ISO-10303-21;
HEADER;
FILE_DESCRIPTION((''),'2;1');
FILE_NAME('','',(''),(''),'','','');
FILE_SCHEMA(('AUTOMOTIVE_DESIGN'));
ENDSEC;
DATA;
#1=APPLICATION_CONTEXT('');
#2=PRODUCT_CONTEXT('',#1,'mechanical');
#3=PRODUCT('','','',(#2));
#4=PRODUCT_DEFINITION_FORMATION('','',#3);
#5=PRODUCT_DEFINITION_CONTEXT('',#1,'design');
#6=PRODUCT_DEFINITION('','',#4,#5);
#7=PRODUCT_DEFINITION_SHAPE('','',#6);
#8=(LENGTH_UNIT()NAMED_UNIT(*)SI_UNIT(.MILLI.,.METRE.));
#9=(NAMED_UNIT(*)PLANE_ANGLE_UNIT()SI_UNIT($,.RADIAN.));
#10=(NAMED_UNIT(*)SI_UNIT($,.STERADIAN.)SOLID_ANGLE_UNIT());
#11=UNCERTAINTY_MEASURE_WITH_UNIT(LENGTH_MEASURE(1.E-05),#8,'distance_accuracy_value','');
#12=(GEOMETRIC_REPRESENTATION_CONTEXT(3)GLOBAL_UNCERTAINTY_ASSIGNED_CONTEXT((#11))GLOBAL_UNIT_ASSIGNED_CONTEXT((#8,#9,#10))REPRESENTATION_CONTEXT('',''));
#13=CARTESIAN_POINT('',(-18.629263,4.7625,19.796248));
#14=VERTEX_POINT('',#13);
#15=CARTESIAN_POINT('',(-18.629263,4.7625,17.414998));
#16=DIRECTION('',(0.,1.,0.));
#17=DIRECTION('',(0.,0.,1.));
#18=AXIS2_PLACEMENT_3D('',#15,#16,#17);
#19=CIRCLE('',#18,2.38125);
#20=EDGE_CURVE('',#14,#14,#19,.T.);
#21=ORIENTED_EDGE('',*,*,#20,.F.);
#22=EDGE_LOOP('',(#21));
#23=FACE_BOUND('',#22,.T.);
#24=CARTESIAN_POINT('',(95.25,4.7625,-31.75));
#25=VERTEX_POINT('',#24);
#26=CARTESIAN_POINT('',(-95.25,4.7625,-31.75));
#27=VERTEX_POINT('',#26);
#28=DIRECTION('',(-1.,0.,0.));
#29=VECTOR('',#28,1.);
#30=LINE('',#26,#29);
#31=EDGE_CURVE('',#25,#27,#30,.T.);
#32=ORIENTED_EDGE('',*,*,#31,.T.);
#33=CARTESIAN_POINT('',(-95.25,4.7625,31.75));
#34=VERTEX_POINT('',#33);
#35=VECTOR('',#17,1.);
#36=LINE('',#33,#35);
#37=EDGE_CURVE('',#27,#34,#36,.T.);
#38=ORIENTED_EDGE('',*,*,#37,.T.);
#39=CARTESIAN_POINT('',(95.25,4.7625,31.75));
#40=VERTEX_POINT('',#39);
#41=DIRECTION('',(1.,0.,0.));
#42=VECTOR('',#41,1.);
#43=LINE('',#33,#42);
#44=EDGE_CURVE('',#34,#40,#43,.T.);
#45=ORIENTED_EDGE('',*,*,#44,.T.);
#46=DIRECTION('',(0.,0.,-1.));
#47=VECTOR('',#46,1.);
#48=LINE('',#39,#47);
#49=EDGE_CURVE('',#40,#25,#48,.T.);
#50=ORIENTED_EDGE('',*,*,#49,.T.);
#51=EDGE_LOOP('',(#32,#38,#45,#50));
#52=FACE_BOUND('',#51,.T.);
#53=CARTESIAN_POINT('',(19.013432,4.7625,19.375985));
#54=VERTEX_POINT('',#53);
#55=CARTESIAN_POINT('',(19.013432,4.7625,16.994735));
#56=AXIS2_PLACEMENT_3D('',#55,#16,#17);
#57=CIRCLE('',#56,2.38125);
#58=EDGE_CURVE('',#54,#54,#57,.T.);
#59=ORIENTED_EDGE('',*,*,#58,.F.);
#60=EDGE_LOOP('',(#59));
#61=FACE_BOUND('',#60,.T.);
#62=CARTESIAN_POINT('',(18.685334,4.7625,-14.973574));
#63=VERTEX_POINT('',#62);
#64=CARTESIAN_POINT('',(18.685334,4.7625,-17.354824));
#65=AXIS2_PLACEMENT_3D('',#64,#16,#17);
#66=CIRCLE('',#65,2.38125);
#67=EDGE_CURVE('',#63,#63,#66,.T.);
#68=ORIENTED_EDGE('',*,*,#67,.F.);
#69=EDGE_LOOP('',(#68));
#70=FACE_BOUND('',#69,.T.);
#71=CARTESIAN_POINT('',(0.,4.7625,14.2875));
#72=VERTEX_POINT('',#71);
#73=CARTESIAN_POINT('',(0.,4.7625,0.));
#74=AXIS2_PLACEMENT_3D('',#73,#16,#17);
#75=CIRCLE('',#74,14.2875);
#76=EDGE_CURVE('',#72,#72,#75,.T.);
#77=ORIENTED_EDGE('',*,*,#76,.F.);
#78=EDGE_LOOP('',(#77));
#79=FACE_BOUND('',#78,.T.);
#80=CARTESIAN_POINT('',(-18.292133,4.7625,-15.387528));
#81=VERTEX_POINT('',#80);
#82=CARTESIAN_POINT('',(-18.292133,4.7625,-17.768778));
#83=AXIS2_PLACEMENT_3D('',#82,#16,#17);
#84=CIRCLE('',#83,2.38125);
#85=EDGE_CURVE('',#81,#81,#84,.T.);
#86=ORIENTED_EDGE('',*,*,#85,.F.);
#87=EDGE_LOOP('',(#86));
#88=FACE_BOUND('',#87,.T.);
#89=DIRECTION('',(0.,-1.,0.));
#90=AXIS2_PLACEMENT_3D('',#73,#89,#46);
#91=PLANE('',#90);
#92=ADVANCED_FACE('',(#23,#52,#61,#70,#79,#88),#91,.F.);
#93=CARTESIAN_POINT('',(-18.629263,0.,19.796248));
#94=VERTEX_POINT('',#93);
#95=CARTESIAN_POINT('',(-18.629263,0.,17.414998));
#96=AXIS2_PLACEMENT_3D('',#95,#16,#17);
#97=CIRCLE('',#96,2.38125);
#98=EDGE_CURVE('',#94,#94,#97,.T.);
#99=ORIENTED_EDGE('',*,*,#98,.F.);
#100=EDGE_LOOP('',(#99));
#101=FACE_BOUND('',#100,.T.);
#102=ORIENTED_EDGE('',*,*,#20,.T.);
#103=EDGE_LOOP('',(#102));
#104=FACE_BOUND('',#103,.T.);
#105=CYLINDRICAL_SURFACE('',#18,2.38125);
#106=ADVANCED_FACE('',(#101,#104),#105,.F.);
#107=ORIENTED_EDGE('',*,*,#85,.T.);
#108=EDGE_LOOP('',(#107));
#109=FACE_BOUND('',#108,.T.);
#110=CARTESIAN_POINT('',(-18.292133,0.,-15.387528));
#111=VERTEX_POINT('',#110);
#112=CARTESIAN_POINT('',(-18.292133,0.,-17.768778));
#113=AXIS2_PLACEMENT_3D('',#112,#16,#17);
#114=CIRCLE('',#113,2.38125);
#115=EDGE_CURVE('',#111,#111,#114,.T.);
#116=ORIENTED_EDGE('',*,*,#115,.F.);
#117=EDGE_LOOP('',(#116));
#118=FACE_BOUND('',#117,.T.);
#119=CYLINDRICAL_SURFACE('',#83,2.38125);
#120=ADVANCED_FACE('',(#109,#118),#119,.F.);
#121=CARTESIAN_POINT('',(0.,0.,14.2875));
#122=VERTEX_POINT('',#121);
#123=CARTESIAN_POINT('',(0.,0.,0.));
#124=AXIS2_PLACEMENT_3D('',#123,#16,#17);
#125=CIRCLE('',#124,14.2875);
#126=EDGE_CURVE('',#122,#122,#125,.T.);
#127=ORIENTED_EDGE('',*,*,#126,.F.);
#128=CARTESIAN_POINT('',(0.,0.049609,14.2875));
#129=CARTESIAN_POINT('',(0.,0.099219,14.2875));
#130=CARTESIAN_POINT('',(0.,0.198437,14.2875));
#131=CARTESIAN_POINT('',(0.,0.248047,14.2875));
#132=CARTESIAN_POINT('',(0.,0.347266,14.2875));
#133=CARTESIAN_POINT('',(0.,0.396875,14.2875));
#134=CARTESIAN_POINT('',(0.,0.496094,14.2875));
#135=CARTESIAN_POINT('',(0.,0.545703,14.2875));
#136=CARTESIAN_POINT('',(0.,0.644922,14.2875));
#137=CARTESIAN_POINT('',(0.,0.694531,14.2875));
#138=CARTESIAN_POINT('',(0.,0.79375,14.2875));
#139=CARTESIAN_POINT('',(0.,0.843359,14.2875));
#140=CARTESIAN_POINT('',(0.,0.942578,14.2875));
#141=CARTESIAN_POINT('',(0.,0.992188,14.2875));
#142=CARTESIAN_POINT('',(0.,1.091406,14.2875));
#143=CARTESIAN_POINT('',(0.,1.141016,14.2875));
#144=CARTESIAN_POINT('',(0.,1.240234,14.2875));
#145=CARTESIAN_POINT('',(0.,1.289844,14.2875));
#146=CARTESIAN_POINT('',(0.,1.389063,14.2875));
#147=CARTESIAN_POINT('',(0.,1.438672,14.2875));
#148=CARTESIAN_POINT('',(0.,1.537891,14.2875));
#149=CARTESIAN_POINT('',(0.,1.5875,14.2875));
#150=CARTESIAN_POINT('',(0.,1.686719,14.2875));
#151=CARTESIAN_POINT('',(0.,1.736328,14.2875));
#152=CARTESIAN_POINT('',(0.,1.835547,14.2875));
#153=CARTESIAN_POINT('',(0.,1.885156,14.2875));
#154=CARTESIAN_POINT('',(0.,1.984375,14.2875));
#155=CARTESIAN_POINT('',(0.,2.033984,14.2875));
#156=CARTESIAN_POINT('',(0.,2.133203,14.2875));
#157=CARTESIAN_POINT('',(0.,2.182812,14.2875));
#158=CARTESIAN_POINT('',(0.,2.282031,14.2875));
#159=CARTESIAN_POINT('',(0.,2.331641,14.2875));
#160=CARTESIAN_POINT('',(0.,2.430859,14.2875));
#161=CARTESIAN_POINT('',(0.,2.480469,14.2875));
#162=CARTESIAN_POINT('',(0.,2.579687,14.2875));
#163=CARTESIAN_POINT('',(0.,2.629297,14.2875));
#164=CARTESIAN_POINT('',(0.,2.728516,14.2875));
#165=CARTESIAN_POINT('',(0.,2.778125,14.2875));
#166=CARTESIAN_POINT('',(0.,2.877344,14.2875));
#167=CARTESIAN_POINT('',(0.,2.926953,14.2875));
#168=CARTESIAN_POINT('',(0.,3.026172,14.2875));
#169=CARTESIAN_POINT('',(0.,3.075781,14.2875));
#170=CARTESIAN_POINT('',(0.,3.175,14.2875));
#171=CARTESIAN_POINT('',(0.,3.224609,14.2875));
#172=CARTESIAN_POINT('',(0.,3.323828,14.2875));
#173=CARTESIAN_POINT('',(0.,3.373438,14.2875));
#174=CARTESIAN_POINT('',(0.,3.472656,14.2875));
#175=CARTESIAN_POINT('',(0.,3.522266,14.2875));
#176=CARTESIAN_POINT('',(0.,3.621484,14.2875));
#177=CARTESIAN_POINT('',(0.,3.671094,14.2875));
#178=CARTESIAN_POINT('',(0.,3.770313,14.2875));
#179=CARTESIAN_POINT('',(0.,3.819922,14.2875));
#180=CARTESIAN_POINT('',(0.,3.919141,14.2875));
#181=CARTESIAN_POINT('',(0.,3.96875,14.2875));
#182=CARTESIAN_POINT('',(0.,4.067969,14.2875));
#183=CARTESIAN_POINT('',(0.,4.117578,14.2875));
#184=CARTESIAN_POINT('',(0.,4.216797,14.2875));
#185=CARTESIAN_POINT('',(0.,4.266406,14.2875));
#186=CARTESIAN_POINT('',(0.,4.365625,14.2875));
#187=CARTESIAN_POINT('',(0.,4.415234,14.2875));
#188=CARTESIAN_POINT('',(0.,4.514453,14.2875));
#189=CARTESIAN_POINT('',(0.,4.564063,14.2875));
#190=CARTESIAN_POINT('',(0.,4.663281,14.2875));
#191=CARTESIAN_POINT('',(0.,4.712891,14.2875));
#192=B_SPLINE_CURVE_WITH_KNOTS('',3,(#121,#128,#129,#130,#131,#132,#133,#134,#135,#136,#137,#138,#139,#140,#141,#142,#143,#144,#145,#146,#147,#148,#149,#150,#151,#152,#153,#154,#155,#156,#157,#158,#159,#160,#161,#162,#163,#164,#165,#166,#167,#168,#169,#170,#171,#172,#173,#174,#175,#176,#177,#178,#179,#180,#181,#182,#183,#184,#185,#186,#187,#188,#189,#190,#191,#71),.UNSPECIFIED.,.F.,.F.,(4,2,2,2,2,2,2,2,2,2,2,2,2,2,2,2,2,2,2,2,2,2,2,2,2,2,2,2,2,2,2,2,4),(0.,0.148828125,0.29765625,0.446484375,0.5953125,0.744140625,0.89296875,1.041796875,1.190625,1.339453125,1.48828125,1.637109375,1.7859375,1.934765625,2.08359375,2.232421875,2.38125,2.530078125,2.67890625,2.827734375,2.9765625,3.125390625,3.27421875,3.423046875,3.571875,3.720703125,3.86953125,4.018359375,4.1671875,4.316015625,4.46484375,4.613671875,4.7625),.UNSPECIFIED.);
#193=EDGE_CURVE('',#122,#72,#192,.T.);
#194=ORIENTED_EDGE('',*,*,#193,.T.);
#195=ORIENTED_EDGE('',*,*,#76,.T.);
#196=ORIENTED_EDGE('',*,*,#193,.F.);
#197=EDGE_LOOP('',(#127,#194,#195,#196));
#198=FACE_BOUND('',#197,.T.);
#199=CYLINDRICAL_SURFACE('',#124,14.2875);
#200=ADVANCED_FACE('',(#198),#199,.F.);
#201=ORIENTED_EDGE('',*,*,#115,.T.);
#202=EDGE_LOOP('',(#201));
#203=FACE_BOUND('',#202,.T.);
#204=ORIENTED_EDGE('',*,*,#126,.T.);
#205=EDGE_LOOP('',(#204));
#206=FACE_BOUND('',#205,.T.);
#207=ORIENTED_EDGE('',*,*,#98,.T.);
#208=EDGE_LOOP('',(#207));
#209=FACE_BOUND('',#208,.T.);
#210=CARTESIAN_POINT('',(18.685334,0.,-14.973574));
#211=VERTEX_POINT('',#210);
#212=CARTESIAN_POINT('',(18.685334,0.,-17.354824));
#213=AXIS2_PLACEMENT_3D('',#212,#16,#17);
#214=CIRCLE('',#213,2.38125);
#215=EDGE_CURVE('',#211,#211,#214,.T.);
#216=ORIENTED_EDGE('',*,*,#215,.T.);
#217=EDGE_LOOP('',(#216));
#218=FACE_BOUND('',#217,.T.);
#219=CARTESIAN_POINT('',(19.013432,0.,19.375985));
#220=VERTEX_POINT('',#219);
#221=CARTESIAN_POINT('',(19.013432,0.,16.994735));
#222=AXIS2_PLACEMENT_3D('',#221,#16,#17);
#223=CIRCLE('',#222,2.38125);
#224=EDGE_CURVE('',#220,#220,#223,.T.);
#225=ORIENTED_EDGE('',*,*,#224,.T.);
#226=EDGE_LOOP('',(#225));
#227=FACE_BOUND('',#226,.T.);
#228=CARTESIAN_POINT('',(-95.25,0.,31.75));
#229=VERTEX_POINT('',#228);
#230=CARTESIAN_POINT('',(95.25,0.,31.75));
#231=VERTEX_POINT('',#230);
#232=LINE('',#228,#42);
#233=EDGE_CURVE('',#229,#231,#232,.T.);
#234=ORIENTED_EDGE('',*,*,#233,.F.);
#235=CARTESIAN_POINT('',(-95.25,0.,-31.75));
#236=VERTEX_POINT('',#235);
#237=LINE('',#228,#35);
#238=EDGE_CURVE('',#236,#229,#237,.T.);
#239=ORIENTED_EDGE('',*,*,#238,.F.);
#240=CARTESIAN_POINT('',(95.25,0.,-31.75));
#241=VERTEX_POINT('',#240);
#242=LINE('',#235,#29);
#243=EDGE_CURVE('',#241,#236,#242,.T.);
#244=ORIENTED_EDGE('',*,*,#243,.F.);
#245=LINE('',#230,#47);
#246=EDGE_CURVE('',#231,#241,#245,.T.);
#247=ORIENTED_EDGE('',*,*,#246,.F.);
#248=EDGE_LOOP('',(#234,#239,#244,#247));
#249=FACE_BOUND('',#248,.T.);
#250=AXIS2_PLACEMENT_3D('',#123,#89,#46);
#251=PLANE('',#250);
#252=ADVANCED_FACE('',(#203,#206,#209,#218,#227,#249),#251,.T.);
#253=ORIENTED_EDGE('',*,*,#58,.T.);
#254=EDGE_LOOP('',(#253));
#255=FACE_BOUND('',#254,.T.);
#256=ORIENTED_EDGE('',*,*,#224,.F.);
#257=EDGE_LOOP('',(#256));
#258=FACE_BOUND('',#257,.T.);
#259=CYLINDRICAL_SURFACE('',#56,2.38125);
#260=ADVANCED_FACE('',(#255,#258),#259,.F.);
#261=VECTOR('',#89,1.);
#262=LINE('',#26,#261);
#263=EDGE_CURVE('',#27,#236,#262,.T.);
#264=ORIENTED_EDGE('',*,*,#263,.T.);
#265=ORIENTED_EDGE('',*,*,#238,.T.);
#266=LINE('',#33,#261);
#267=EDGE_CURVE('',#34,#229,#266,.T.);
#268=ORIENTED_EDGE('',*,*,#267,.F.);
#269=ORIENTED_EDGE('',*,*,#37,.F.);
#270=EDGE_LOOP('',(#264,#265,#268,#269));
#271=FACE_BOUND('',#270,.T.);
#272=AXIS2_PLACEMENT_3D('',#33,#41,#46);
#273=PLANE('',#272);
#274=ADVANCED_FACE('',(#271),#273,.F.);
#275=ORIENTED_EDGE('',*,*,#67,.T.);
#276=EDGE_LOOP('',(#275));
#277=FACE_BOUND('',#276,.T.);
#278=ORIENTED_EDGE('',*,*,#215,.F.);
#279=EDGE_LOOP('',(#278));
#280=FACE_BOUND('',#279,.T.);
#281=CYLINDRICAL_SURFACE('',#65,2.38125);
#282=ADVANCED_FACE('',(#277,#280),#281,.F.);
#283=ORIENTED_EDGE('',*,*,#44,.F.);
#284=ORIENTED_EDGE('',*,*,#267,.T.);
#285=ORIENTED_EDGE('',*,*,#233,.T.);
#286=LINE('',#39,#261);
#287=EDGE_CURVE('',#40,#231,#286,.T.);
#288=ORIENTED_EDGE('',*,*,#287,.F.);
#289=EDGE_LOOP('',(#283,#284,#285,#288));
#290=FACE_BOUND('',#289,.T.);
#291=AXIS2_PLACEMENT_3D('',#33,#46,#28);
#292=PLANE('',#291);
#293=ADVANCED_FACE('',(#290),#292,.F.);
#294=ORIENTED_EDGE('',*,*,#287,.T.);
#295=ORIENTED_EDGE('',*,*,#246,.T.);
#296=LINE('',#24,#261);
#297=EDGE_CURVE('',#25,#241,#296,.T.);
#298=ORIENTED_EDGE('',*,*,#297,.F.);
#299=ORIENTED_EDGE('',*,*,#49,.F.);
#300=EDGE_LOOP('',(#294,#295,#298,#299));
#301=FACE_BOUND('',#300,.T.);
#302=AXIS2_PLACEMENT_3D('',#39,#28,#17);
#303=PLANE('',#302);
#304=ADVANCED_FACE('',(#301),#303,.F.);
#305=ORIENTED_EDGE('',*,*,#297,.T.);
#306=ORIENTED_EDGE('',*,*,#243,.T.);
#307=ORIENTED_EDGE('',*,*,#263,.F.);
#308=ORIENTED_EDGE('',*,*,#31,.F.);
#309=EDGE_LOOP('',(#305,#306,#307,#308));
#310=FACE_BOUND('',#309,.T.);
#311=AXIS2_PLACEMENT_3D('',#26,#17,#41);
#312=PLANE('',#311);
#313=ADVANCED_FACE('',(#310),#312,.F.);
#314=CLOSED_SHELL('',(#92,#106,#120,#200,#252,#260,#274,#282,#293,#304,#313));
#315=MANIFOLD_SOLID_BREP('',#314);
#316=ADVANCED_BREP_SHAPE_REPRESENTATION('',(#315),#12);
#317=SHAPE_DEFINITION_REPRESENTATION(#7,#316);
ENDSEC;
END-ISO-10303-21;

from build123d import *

# Parameters (mm, degrees)
SKETCH1_W                      = 190.5
SKETCH1_H                      = 63.5
BOSS_EXTRUDE1_DEPTH            = 4.7625
SKETCH3_R                      = 14.2875
CUT_EXTRUDE1_DEPTH             = 101.515204851
F_3_16_0_1875_DIAMETER_HOLE1_D = 4.7625


with BuildPart() as part:
    # Sketch1 → Boss-Extrude1 (new body)
    with BuildSketch(Plane(origin=(0, 0, 0), x_dir=(1, 0, 0), z_dir=(0, 1, 0))):
        Rectangle(SKETCH1_W, SKETCH1_H)
    extrude(amount=BOSS_EXTRUDE1_DEPTH)

    # Sketch3 → Cut-Extrude1 (cut, through all)
    with BuildSketch(Plane(origin=(0, 4.7625, 0), x_dir=(1, 0, 0), z_dir=(0, 1, 0))):
        with Locations(Location((0, 0, 0), (0, 0, 270))):
            Circle(SKETCH3_R)
    extrude(amount=-CUT_EXTRUDE1_DEPTH, mode=Mode.SUBTRACT)

    # 3/16 (0.1875) Diameter Hole1 (through all)
    with Locations(Plane(origin=(0, 4.7625, 0), x_dir=(1, 0, 0), z_dir=(0, 1, 0))):
        with Locations((-18.292133046, 17.768777988), (-18.629263442, -17.414997737), (18.68533355, 17.354823903), (19.013431756, -16.994734933)):
            Hole(F_3_16_0_1875_DIAMETER_HOLE1_D / 2)


solid = part.part
